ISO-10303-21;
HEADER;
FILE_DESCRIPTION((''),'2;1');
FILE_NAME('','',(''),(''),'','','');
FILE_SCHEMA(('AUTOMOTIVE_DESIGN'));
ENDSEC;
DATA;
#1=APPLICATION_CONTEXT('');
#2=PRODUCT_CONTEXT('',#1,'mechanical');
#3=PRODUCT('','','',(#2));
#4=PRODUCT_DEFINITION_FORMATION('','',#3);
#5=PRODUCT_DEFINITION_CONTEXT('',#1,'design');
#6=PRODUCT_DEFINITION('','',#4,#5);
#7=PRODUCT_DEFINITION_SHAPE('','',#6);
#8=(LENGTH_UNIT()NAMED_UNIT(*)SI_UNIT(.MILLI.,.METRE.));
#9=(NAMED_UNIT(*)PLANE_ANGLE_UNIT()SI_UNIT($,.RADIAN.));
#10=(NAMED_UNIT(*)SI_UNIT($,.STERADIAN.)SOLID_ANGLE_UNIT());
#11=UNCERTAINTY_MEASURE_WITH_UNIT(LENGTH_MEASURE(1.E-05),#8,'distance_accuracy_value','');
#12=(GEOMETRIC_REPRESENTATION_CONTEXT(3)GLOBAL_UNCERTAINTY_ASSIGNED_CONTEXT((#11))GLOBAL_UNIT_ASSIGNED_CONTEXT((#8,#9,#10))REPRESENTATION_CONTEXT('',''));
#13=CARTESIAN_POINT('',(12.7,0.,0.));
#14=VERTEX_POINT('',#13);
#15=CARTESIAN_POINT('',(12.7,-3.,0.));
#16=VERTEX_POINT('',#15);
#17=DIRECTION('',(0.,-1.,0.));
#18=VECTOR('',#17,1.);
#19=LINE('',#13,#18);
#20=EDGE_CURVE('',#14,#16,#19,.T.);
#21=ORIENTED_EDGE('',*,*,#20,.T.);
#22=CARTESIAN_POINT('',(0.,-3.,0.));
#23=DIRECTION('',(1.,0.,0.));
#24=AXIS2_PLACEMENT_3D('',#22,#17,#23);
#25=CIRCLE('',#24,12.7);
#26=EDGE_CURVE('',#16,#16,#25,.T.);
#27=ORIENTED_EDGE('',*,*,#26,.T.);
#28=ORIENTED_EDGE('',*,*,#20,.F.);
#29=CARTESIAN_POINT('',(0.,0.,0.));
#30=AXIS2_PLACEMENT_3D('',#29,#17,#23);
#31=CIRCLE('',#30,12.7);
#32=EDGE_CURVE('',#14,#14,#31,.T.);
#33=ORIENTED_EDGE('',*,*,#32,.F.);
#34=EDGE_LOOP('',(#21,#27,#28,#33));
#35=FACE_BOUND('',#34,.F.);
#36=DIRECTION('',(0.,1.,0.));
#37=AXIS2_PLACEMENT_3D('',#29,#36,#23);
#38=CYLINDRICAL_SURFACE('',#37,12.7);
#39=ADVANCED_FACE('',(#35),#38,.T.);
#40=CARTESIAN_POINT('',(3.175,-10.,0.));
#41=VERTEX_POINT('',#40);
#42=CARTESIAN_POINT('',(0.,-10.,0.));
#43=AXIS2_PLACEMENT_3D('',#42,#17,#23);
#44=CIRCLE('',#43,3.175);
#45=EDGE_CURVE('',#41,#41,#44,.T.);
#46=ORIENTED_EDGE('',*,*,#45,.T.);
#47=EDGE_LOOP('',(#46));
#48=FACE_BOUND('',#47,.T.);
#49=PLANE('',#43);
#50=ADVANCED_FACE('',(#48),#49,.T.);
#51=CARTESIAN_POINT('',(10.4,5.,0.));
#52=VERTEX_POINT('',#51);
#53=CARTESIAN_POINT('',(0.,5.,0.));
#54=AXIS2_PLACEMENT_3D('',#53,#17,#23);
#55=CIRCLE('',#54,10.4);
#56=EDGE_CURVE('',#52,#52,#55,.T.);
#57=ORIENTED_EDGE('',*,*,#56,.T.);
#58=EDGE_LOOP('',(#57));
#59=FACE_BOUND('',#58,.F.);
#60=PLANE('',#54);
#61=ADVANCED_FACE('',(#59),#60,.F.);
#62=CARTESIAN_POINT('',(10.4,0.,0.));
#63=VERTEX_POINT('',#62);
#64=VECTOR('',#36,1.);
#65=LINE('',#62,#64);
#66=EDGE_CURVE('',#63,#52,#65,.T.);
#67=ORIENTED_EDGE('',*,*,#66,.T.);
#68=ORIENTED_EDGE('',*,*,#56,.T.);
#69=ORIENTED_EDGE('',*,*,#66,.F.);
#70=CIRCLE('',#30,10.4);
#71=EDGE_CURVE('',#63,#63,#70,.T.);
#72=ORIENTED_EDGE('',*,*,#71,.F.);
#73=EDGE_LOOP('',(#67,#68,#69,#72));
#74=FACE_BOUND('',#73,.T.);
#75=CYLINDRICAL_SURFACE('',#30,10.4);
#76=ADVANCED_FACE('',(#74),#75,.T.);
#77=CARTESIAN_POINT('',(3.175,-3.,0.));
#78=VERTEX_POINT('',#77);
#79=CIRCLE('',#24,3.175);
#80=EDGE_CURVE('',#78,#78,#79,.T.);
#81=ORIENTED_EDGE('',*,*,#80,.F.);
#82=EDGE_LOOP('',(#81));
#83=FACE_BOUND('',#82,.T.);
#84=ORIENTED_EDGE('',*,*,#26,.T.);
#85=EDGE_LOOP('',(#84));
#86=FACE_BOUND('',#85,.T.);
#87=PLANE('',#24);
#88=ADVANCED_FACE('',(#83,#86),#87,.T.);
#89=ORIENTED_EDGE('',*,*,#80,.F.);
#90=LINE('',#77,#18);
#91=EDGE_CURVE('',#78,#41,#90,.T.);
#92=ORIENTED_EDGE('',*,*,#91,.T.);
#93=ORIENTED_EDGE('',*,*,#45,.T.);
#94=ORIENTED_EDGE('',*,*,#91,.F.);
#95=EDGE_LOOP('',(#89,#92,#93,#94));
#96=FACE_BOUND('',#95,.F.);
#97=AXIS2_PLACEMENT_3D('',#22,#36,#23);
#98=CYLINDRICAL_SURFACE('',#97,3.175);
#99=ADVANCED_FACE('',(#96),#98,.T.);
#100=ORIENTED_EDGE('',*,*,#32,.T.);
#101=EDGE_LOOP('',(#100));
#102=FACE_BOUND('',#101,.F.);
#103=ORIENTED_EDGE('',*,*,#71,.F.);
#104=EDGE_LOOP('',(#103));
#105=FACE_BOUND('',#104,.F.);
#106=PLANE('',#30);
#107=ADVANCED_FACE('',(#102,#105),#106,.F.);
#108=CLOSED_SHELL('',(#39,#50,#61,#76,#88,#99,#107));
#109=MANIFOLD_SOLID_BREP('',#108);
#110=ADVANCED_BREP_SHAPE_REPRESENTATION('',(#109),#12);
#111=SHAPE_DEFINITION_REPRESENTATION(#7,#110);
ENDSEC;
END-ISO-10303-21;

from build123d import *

# Parameters (mm, degrees)
F0_R     = 10.4
F1_DEPTH = 5
F0_R_2   = 12.7
F2_DEPTH = 3
F3_R     = 3.175
F4_DEPTH = 7


with BuildPart() as f1:
    # F0 (on Front) → F1 (new body)
    with BuildSketch(Plane.XZ):
        Circle(F0_R)
    extrude(amount=-F1_DEPTH)

    # F0 (on Front) → F2 (join)
    with BuildSketch(Plane.XZ):
        Circle(F0_R_2)
        Circle(F0_R, mode=Mode.SUBTRACT)
        Circle(F0_R)
    extrude(amount=F2_DEPTH)

    # F3 (on face) → F4 (join)
    with BuildSketch(Plane.XZ.offset(3)):
        Circle(F3_R)
    extrude(amount=F4_DEPTH)


solid = f1.part
